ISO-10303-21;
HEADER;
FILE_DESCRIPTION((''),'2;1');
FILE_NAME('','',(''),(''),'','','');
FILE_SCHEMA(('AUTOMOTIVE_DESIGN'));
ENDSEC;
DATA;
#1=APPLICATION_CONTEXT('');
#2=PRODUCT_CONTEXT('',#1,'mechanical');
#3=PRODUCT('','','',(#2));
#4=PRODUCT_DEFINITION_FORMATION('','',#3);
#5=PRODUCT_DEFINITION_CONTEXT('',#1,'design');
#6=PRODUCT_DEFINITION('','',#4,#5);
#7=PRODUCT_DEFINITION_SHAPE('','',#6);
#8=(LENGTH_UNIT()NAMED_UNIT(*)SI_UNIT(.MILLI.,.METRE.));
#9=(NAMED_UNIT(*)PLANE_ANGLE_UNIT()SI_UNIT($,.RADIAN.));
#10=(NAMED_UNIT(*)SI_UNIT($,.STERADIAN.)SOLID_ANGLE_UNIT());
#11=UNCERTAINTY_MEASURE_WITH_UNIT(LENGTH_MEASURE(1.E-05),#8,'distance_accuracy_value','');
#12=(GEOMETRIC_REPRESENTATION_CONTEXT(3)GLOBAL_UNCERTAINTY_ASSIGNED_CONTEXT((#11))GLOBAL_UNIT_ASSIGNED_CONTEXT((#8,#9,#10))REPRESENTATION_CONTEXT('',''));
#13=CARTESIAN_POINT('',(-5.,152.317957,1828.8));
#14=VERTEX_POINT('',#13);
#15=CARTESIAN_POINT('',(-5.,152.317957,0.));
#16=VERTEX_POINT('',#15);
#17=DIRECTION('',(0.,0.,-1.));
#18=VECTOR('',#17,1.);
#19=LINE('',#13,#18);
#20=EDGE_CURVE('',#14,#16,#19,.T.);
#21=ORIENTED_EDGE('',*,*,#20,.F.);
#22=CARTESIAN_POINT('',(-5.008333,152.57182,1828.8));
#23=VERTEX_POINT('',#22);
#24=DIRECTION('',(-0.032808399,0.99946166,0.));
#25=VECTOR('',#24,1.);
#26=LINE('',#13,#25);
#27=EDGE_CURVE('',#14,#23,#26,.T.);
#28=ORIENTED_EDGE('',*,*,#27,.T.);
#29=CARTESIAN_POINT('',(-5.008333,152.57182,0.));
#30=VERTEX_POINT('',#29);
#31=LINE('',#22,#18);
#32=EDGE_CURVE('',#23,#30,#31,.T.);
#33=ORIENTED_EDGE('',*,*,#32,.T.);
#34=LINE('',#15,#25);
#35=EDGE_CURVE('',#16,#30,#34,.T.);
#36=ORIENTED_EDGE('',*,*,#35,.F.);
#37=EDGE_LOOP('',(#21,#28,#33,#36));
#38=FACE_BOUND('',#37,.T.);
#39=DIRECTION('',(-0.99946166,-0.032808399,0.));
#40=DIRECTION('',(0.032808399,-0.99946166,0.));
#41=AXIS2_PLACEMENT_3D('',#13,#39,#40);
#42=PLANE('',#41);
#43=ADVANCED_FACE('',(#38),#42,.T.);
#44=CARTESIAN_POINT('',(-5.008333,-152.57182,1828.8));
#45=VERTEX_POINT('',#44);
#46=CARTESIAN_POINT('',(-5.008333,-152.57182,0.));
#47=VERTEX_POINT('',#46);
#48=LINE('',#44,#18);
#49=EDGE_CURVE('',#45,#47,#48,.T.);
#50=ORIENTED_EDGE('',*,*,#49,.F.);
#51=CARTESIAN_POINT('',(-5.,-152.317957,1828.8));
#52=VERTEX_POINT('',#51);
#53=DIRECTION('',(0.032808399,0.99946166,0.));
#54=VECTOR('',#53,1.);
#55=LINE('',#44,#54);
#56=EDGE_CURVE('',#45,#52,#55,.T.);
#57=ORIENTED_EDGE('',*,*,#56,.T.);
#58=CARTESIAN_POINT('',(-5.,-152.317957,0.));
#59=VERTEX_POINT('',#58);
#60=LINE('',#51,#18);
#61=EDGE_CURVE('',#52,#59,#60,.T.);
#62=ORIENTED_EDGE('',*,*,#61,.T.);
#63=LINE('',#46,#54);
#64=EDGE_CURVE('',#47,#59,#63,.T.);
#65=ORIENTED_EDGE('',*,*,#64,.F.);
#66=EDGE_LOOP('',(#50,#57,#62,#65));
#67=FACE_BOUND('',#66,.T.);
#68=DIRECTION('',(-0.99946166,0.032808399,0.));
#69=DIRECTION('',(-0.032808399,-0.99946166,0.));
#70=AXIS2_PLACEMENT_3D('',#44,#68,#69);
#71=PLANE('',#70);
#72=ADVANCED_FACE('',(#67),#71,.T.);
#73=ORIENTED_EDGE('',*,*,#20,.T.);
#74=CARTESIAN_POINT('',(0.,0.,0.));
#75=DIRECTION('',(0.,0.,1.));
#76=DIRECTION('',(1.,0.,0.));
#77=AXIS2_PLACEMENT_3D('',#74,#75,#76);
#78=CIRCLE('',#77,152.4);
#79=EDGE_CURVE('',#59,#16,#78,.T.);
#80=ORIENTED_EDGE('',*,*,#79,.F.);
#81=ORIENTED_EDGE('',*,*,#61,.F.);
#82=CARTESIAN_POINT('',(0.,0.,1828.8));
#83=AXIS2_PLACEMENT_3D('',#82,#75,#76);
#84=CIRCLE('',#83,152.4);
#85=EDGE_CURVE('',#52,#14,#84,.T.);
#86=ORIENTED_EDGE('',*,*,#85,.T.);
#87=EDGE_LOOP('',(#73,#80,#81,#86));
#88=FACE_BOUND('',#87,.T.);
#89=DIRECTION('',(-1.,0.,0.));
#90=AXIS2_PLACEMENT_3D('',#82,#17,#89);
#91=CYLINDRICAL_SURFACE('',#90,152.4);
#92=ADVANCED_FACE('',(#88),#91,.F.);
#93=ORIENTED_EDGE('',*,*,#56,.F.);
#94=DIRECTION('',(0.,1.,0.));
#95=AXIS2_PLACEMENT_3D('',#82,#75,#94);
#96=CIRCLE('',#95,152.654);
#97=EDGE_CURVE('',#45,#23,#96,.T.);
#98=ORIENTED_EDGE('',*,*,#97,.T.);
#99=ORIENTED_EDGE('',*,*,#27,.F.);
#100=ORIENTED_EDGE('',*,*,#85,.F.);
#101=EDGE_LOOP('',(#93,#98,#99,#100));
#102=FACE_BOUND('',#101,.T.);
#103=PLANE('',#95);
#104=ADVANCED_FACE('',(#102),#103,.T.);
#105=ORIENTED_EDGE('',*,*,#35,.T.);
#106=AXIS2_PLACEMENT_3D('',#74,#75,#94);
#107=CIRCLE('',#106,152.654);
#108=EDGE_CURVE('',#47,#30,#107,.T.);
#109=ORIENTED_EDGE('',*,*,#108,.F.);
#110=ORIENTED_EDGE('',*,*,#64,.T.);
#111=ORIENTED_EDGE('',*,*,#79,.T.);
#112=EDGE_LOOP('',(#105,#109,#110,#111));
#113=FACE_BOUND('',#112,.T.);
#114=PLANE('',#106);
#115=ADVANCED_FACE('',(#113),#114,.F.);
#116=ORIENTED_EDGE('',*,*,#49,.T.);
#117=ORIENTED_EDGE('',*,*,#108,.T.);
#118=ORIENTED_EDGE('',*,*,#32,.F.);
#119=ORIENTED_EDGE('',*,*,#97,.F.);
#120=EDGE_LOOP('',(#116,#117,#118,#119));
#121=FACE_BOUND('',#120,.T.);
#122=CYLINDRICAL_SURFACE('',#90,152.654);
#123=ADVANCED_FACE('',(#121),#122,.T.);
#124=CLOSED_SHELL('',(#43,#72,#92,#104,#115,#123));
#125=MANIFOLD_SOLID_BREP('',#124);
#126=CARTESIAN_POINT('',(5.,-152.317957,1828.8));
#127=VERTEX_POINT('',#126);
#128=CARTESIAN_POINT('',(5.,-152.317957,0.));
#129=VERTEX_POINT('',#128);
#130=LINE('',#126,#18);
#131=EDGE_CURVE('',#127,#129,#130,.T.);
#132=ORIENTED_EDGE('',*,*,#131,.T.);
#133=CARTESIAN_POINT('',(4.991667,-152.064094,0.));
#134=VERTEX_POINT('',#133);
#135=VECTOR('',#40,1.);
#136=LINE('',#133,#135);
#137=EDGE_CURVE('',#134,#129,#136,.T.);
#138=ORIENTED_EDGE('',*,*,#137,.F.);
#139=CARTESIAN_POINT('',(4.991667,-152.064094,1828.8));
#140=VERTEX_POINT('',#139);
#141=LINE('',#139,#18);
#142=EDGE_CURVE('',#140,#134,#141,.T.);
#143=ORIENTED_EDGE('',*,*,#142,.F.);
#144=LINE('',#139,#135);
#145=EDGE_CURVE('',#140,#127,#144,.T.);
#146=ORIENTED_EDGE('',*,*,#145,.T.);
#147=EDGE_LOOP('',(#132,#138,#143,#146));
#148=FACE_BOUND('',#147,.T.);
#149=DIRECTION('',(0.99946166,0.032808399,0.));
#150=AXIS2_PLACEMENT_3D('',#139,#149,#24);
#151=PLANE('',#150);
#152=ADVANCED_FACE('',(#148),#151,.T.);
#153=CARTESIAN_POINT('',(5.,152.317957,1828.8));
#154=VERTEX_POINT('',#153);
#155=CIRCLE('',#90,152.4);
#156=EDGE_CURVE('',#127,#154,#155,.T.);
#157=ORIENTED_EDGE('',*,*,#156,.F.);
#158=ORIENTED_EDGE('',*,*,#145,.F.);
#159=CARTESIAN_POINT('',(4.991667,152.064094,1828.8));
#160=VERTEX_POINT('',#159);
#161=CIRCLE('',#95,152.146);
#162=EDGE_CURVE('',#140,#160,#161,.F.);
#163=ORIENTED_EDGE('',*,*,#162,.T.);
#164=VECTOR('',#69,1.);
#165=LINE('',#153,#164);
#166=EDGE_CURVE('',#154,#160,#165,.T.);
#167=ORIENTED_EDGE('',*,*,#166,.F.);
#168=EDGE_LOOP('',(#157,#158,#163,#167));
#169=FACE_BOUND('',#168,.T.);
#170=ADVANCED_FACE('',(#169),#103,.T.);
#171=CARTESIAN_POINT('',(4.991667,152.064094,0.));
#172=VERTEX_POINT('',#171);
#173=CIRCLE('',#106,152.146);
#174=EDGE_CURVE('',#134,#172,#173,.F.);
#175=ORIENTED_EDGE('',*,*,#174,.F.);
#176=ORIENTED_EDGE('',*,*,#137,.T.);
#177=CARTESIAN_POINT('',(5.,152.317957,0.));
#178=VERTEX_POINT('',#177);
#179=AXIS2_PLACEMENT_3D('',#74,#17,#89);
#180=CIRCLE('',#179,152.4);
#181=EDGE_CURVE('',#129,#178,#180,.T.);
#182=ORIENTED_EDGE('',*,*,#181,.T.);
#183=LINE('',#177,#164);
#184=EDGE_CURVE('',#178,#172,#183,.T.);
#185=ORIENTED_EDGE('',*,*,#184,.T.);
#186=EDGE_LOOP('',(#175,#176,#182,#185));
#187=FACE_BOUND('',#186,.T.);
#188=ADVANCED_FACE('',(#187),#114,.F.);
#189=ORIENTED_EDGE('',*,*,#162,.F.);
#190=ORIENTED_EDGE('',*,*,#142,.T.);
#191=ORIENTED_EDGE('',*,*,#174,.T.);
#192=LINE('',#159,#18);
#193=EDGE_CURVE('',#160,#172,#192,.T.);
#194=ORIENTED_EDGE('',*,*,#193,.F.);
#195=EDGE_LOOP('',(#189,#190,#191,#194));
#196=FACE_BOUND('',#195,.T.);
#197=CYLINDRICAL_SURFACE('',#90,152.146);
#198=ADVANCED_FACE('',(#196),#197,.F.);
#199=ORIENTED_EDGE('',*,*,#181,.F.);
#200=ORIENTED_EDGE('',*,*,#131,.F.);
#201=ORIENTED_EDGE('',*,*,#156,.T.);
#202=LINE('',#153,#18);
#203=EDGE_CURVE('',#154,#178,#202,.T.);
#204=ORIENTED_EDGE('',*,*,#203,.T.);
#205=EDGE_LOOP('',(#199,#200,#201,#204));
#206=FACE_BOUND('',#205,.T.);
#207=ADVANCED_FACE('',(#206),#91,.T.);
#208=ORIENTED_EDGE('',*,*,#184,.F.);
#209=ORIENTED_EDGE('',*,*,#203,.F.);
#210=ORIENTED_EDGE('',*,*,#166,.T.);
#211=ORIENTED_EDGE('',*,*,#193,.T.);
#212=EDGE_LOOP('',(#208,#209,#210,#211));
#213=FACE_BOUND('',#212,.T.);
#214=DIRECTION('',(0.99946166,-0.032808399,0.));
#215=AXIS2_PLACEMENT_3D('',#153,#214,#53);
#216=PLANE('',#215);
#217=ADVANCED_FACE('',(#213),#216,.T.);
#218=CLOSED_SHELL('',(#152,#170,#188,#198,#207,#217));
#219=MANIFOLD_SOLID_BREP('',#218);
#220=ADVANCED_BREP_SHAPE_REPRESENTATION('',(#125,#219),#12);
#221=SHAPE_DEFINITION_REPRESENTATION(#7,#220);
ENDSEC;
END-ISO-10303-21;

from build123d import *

# Parameters (mm, degrees)
EXTRUDE_THIN4_DEPTH = 1828.8
EXTRUDE_THIN5_DEPTH = 1828.8


with BuildPart() as part:
    # Sketch4 → Extrude-Thin4 (new body)
    with BuildSketch(Plane(origin=(0, 0, 0), x_dir=(0, 1, 0), z_dir=(0, 0, 1))):
        with BuildLine():
            ThreePointArc((-152.317956919, -5), (0, 152.4), (152.317956919, -5))
            Line((152.317956919, -5), (152.064093658, -4.991666667))
            ThreePointArc((152.064093658, -4.991666667), (0, 152.146), (-152.064093658, -4.991666667))
            Line((-152.064093658, -4.991666667), (-152.317956919, -5))
        make_face()
    extrude(amount=EXTRUDE_THIN4_DEPTH)


with BuildPart() as body_2:
    # Sketch4<4> → Extrude-Thin5 (new body)
    with BuildSketch(Plane(origin=(0, 0, 0), x_dir=(0, 1, 0), z_dir=(0, 0, 1))):
        with BuildLine():
            ThreePointArc((-152.317956919, 5), (0, -152.4), (152.317956919, 5))
            Line((152.317956919, 5), (152.571820181, 5.008333333))
            ThreePointArc((152.571820181, 5.008333333), (0, -152.654), (-152.571820181, 5.008333333))
            Line((-152.571820181, 5.008333333), (-152.317956919, 5))
        make_face()
    extrude(amount=EXTRUDE_THIN5_DEPTH)


solid = Compound([part.part, body_2.part])
